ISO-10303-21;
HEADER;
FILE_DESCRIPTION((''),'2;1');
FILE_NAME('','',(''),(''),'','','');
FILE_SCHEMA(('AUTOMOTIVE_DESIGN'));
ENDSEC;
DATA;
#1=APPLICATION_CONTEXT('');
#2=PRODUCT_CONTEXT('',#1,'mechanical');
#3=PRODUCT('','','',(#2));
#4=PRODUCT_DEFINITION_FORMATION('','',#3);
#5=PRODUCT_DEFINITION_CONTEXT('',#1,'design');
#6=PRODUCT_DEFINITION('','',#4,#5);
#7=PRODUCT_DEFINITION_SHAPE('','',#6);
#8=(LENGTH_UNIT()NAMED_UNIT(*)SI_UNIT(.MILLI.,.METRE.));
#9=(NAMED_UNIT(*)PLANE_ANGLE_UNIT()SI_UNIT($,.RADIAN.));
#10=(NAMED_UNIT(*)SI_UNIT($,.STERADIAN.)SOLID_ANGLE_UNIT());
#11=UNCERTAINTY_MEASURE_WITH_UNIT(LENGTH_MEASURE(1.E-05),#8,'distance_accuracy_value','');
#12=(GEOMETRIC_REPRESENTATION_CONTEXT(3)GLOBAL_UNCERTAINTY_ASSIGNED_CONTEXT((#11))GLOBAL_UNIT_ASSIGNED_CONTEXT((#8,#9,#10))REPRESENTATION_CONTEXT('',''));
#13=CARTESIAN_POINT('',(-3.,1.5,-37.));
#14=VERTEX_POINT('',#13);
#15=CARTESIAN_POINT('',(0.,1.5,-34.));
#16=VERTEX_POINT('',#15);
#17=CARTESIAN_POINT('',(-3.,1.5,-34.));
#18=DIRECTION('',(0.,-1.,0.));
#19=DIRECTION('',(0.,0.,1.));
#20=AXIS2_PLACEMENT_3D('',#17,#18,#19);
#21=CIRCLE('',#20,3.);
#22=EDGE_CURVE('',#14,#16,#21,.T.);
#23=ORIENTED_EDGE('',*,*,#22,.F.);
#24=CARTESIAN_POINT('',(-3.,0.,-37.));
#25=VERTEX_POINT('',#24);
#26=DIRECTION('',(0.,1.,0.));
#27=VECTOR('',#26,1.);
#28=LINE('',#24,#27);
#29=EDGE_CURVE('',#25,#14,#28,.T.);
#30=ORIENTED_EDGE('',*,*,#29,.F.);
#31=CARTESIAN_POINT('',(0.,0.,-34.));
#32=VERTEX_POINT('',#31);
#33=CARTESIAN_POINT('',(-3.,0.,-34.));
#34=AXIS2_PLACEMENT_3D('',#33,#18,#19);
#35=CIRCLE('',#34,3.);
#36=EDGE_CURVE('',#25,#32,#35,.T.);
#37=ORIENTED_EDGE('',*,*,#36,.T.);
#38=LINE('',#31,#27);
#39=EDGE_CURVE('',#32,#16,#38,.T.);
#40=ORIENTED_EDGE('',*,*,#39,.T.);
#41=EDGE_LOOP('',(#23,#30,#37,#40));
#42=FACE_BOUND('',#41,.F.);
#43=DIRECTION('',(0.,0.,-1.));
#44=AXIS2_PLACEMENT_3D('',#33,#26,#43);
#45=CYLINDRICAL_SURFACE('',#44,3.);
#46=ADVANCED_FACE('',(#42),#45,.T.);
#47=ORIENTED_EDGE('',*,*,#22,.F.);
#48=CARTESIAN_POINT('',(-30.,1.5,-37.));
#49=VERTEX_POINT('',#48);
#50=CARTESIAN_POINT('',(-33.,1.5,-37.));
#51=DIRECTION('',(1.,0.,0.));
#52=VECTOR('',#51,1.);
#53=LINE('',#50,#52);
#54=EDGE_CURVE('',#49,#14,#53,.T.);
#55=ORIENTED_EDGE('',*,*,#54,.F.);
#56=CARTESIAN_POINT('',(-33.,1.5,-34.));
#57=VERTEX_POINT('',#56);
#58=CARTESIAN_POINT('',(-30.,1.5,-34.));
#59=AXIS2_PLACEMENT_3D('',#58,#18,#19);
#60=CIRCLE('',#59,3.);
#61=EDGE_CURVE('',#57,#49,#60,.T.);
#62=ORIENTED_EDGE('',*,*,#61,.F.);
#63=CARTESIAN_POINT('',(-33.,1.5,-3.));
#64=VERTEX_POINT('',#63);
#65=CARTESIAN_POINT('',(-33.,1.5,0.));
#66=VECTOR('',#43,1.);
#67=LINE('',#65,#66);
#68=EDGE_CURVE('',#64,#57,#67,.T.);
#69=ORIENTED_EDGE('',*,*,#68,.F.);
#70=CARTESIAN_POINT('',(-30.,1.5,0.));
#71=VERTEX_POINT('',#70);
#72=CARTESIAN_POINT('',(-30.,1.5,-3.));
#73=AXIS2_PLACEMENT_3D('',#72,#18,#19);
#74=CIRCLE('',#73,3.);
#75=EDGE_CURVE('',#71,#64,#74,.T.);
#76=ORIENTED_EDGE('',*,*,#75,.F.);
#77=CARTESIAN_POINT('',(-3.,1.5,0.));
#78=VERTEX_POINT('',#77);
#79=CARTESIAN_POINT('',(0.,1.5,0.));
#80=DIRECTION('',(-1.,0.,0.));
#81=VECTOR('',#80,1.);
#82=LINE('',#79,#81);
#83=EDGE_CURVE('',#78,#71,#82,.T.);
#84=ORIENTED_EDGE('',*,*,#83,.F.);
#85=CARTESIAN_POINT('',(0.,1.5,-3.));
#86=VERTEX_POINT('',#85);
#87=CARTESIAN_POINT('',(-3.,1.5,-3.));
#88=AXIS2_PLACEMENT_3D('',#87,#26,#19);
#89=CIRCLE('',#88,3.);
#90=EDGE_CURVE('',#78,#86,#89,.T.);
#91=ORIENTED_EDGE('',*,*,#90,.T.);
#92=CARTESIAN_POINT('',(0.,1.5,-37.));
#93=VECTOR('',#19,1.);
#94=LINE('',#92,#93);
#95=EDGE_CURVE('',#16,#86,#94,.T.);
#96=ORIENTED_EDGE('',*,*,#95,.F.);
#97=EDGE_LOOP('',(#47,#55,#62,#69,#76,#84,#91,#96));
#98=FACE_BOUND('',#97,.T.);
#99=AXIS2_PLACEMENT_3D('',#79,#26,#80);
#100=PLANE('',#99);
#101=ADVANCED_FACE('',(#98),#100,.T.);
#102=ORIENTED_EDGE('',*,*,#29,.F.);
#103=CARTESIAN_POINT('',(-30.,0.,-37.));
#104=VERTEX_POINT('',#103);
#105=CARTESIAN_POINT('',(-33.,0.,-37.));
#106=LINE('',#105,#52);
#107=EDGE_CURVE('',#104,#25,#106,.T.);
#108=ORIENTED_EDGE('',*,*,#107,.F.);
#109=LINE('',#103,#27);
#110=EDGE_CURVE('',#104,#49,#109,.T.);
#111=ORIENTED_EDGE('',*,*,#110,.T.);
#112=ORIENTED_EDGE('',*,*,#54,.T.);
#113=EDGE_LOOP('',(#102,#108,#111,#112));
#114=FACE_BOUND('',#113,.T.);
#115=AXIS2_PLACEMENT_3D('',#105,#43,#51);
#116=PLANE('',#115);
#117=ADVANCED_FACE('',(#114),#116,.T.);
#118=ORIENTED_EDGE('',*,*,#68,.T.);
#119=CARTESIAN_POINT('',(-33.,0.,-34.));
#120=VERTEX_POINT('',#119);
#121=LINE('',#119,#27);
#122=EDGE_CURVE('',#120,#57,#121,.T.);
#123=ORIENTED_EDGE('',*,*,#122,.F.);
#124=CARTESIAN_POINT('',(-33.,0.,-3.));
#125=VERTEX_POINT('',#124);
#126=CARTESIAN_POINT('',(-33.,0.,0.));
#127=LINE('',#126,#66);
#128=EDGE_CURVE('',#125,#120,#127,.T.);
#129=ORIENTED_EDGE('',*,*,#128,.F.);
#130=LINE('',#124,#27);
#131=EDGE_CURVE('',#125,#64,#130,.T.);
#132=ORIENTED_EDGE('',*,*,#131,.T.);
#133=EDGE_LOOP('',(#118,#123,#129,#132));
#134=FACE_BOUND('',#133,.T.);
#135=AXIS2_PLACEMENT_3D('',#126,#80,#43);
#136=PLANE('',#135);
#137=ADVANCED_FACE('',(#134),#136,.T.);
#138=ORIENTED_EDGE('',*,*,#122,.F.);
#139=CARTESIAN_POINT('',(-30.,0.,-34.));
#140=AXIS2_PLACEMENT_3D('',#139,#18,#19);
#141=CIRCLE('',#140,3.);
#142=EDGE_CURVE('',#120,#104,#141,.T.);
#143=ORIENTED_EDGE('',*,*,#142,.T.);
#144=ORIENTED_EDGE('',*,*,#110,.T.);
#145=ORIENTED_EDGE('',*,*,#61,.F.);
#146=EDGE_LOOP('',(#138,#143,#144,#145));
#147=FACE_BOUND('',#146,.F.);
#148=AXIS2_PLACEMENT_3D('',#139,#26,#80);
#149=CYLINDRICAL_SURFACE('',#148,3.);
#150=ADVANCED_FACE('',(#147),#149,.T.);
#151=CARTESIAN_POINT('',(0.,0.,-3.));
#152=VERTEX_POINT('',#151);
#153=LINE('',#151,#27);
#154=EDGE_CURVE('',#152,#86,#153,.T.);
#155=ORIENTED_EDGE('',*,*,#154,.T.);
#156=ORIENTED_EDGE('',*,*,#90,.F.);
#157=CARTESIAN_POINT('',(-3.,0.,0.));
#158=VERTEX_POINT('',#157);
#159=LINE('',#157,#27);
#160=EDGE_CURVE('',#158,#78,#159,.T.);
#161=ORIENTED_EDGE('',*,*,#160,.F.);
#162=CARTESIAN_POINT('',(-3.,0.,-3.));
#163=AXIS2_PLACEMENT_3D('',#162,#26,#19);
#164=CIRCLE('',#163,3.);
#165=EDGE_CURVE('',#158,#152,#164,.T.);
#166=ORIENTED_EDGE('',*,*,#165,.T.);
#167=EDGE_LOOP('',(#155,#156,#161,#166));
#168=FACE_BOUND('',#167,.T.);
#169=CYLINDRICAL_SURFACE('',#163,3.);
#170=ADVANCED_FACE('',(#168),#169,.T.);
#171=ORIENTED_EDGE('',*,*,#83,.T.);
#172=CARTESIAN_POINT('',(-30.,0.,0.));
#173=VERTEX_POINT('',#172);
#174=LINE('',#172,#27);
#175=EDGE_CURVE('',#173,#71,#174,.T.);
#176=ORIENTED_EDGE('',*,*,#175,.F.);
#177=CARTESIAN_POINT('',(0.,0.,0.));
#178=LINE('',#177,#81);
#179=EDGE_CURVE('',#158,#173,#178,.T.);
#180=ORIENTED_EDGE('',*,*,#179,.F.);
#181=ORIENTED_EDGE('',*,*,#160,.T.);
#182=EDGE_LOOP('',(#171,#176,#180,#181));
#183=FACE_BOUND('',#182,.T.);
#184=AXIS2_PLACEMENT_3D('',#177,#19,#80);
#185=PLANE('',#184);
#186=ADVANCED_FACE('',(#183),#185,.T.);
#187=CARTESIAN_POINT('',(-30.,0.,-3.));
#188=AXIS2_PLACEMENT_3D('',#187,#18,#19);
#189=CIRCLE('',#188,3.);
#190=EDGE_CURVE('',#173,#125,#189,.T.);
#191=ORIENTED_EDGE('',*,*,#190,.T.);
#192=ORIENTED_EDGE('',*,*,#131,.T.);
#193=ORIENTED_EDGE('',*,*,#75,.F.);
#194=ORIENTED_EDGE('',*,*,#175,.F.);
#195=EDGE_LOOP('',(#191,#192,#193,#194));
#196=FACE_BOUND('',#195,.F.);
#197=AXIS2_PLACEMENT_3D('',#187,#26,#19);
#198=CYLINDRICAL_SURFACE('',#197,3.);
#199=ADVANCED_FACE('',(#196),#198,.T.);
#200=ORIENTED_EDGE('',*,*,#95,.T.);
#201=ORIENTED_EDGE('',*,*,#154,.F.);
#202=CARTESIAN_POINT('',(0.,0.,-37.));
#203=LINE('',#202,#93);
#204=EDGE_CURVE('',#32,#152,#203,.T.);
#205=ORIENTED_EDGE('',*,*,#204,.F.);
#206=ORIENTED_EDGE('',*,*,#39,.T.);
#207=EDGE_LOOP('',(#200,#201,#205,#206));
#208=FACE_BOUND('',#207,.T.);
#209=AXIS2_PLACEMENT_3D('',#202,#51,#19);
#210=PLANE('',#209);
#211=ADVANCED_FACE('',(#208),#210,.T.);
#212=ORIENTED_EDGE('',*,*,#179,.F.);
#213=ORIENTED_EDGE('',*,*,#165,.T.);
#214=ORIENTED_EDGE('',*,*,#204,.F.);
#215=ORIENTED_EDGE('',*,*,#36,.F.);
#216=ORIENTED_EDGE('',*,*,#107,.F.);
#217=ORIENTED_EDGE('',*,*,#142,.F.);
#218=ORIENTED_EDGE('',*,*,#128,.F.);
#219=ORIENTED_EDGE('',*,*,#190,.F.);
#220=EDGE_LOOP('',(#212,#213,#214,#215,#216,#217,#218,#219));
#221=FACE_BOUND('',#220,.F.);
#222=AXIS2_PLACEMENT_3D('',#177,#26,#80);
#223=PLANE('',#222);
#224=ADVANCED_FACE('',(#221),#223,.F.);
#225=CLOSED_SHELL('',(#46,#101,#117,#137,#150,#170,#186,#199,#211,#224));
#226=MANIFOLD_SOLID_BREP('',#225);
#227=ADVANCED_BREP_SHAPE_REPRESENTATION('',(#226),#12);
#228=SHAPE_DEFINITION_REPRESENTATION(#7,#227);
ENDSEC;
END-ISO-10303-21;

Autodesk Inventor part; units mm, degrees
ref_plane "YZ Plane" through (0, 0, 0) normal (1, 0, 0) x (0, 1, 0)
ref_plane "XZ Plane" through (0, 0, 0) normal (0, 1, 0) x (-1, 0, 0)
ref_plane "XY Plane" through (0, 0, 0) normal (0, 0, 1) x (1, 0, 0)
sketch "スケッチ1" plane through (0, 0, 0) normal (0, 1, 0) x (-1, 0, 0)
  line L0 (0, 0) -> (33, 0)
  line L1 (33, 0) -> (33, -37)
  line L2 (33, -37) -> (0, -37)
  line L3 (0, -37) -> (0, 0)
  dimension "d0" = 33
  dimension "d1" = 37
extrude "押し出し1" add sketch "スケッチ1" along normal blind 1.5
fillet "フィレット1" radius 3 4 edges at (-33, 0.75, -37) (0, 0.75, -37) (0, 0.75, 0) (-33, 0.75, 0)
properties part number "CORE_md"
